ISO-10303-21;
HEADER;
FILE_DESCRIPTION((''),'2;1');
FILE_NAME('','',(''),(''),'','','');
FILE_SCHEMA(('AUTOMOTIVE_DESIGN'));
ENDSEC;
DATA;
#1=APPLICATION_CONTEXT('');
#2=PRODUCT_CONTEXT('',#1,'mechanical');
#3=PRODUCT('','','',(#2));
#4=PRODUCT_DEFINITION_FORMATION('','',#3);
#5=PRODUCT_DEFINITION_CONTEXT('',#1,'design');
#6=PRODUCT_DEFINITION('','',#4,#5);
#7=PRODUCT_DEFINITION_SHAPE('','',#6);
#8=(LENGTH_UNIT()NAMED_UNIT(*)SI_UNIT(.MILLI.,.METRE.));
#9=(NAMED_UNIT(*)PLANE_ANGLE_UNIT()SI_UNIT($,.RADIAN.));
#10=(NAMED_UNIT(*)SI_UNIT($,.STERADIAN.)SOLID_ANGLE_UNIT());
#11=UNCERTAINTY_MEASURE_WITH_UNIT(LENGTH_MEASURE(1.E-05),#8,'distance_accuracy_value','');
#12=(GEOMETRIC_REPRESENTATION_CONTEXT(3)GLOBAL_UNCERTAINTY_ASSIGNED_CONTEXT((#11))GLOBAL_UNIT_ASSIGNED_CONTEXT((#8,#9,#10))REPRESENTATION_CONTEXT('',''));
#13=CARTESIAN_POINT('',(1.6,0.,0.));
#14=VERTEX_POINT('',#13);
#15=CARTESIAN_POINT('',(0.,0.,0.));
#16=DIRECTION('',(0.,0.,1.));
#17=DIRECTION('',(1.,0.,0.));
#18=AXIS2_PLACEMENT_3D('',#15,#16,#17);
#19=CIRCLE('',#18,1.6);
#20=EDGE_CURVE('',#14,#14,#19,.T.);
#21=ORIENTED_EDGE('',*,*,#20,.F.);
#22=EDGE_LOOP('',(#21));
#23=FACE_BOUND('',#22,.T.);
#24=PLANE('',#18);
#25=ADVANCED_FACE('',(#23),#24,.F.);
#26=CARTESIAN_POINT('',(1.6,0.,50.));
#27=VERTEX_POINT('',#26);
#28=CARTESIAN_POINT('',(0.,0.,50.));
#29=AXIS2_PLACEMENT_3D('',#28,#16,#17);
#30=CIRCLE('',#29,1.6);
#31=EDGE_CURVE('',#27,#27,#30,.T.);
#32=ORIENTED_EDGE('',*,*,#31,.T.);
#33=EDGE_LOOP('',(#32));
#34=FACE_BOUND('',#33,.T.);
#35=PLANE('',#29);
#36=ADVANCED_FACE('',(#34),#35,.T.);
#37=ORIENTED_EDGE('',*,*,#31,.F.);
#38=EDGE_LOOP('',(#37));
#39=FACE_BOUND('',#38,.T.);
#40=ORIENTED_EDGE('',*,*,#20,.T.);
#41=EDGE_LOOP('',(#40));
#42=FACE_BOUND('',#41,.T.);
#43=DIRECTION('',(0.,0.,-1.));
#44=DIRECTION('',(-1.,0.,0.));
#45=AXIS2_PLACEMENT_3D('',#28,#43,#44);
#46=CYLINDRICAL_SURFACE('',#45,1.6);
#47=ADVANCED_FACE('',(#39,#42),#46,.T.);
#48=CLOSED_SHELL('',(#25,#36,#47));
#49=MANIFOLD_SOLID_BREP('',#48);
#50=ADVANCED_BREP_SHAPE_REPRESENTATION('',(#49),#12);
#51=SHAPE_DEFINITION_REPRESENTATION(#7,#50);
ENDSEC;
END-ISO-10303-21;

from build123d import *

# Parameters (mm, degrees)
SKETCH_1_R      = 1.6
EXTRUDE_1_DEPTH = 50


with BuildPart() as part:
    # 草圖1 → 填料-伸長1 (new body)
    with BuildSketch(Plane.XY):
        Circle(SKETCH_1_R)
    extrude(amount=EXTRUDE_1_DEPTH)


solid = part.part
